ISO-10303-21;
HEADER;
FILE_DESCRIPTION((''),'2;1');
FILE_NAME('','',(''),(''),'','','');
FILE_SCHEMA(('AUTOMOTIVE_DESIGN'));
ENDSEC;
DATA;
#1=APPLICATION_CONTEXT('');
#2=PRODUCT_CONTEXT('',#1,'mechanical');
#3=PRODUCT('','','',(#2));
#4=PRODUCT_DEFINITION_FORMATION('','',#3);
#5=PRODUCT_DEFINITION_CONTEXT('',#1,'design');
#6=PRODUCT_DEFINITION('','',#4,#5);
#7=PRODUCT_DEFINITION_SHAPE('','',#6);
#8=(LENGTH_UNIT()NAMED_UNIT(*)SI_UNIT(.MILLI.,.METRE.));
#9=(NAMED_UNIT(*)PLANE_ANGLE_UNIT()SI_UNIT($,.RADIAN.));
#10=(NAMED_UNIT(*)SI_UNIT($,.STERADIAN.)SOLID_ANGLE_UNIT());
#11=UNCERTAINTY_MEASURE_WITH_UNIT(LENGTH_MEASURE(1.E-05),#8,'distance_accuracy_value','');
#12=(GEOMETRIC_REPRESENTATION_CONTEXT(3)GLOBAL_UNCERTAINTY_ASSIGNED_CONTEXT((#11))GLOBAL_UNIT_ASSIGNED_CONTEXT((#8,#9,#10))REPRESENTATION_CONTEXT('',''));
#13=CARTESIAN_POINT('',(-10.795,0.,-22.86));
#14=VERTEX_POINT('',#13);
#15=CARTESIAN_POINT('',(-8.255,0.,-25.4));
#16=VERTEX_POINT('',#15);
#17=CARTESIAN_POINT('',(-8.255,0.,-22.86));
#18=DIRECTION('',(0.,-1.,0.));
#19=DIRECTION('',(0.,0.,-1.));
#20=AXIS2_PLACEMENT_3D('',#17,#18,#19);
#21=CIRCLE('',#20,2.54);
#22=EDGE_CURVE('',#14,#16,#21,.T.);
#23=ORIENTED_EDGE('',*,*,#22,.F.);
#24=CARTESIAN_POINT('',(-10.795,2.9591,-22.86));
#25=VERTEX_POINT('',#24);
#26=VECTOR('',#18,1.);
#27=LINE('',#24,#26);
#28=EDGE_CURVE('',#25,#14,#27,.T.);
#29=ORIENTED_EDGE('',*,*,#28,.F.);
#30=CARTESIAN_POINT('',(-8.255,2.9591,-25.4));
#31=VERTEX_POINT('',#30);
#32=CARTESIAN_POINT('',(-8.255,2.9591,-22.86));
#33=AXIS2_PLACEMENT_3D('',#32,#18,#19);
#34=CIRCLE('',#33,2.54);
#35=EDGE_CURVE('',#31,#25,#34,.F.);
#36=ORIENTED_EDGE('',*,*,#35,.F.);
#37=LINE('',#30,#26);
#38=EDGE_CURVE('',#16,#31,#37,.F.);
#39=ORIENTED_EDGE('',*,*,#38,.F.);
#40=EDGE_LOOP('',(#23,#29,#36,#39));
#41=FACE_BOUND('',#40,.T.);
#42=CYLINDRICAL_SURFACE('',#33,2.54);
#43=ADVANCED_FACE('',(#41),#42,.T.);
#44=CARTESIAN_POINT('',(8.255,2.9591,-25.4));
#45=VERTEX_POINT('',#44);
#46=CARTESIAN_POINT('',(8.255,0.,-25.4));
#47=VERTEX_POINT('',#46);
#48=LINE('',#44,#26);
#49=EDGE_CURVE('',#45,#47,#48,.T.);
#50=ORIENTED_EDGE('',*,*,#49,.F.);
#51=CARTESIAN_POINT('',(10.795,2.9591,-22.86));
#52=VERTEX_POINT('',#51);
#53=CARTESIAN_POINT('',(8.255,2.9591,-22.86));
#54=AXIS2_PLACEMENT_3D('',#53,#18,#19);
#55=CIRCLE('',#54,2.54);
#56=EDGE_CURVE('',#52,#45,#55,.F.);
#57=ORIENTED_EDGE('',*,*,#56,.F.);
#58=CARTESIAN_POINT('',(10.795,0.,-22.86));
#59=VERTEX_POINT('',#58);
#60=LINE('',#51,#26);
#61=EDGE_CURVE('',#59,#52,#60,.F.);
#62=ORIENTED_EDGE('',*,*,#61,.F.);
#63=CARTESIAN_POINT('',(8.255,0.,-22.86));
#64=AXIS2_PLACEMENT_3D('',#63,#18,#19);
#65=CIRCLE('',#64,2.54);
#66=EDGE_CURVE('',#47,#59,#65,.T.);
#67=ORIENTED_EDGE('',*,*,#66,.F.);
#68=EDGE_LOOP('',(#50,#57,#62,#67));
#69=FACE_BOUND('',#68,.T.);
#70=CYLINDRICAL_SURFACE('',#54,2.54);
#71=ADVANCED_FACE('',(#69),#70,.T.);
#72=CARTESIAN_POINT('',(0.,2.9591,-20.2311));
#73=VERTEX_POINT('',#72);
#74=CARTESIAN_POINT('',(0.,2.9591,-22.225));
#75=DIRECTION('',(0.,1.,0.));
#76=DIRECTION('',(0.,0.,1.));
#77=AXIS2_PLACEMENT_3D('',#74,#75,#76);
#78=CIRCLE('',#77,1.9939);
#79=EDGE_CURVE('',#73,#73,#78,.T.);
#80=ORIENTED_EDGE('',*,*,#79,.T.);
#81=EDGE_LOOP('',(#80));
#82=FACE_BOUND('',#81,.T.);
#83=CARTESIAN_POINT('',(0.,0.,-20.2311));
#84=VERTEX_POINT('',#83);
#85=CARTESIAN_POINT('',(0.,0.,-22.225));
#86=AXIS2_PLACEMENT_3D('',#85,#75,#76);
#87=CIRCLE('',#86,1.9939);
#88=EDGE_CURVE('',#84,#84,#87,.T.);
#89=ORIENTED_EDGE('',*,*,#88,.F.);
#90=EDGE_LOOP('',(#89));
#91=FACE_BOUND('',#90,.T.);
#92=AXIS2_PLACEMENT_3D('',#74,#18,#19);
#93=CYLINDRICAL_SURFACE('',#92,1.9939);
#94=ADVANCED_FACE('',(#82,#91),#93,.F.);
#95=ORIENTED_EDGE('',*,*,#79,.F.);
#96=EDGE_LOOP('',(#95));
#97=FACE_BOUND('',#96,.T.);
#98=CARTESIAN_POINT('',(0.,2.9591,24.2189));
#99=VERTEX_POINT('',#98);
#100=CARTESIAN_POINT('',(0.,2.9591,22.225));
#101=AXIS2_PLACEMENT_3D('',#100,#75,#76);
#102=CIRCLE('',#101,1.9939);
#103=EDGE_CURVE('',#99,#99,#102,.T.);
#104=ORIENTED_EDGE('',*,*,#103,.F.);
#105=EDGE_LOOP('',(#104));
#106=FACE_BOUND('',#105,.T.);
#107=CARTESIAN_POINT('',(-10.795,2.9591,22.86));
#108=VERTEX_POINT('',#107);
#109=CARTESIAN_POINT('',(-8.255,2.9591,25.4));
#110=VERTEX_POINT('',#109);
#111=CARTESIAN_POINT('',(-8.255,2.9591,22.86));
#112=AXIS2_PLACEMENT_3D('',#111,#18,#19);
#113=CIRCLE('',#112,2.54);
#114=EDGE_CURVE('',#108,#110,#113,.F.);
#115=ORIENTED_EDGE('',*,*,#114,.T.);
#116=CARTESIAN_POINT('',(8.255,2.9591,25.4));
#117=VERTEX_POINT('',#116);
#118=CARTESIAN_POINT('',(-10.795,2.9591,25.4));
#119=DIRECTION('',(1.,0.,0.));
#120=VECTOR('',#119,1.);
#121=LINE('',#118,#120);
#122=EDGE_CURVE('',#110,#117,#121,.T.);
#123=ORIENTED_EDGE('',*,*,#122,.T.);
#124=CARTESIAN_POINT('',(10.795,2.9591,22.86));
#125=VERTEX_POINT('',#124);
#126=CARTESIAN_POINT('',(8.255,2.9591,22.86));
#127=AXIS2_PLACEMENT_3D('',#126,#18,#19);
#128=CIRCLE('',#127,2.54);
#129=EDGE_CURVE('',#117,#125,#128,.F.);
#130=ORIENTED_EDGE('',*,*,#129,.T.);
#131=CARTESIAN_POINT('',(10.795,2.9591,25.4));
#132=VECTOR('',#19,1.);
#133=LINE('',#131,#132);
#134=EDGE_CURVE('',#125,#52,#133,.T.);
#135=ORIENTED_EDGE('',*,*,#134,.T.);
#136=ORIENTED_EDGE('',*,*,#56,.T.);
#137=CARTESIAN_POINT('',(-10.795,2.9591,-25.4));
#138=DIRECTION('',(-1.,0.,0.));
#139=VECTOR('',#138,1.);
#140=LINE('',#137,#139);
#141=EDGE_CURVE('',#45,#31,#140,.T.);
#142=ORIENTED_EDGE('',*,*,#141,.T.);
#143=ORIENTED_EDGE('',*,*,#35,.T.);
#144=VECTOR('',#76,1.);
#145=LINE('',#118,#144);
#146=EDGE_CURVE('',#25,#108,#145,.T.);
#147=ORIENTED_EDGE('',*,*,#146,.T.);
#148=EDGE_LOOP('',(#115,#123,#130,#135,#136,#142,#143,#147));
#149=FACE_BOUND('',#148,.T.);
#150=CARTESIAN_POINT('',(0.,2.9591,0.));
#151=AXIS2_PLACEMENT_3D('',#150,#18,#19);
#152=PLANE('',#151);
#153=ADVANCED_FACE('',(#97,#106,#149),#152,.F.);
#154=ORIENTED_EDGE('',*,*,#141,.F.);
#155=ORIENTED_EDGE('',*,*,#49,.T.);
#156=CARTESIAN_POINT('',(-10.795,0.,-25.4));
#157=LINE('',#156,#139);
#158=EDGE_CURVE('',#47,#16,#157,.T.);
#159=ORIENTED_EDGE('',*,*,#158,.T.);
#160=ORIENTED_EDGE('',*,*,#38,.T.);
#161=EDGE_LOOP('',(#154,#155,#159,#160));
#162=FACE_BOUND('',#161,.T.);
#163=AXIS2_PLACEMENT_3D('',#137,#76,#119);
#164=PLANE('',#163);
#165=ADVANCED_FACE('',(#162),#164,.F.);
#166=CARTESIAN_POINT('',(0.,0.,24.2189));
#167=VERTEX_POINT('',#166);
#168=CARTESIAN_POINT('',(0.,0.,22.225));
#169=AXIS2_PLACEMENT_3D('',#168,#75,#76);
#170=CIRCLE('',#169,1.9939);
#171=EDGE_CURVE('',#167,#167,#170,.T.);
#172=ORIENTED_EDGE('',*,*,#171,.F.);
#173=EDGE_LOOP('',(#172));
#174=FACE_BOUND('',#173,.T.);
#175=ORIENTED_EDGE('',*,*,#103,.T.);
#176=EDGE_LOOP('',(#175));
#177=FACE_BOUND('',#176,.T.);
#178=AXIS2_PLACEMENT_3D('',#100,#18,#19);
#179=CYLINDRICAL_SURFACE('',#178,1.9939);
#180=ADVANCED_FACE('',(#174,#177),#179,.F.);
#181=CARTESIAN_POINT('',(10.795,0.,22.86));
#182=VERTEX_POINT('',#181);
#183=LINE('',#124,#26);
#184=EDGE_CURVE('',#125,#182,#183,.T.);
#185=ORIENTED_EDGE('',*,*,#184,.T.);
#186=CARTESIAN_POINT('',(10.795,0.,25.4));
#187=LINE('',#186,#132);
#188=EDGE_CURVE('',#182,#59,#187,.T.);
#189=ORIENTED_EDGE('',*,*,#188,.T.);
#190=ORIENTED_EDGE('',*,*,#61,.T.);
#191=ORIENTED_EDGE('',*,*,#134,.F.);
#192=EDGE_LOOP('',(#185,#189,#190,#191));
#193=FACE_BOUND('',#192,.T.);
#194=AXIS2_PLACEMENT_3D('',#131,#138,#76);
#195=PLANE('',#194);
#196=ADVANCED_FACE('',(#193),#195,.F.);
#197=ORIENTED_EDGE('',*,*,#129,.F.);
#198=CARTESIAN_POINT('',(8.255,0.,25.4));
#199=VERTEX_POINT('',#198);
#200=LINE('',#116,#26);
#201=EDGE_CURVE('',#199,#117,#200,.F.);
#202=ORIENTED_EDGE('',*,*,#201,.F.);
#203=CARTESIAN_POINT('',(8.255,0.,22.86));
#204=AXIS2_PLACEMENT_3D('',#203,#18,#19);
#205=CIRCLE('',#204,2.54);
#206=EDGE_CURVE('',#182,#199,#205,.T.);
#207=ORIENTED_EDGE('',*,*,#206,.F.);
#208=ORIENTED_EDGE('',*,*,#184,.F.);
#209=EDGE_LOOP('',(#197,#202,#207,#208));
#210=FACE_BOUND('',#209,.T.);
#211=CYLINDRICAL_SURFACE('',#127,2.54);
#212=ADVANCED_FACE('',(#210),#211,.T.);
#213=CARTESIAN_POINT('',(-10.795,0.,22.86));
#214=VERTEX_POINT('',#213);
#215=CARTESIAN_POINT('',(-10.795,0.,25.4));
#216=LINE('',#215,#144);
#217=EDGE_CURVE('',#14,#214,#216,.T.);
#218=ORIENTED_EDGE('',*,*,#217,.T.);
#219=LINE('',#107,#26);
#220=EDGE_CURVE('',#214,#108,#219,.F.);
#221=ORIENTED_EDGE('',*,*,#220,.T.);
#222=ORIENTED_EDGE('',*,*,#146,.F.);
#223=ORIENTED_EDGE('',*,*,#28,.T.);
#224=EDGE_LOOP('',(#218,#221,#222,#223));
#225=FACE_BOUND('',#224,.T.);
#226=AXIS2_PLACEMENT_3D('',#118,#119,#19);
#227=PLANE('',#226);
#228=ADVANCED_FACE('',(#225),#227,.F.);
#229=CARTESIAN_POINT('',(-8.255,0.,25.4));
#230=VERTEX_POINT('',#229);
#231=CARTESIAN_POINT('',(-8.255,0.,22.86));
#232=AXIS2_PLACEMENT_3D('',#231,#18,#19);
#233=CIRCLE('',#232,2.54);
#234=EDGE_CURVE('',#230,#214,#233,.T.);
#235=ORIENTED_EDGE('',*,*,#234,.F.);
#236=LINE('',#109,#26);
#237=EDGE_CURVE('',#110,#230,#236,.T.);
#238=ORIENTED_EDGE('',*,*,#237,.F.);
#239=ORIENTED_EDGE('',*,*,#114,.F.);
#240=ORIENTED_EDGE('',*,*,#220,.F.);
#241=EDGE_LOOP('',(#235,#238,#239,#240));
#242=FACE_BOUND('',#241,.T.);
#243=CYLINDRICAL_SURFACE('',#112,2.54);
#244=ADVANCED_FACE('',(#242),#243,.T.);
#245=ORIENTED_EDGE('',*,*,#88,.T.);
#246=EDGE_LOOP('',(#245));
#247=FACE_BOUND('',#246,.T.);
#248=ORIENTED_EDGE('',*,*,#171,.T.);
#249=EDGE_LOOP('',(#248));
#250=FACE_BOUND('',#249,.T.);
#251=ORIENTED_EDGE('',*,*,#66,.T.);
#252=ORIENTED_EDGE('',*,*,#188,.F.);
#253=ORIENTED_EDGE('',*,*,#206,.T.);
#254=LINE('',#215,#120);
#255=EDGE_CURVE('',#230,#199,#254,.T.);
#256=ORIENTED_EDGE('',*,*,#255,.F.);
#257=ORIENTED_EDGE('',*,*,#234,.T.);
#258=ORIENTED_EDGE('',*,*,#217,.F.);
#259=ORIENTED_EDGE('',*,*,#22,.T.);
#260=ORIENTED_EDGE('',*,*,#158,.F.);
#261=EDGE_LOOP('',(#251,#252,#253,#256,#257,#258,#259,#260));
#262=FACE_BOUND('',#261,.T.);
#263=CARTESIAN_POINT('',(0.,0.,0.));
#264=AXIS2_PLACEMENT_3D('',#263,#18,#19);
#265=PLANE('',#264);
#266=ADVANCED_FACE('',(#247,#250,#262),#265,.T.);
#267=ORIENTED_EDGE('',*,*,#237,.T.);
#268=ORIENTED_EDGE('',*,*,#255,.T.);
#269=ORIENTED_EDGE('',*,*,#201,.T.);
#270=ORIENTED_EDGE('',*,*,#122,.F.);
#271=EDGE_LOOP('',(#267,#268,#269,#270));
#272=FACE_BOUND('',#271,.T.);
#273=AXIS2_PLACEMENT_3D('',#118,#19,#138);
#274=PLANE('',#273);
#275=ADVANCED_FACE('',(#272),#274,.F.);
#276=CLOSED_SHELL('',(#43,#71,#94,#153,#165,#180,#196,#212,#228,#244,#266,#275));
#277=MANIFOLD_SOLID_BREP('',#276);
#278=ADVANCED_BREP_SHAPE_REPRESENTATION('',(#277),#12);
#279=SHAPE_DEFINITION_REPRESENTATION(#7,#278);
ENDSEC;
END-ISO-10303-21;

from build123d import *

# Parameters (mm, degrees)
SKETCH1_W           = 21.59
SKETCH1_H           = 50.8
SKETCH1_R           = 1.9939
BOSS_EXTRUDE1_DEPTH = 2.9591
FILLET1_R           = 2.54


with BuildPart() as part:
    # Sketch1 → Boss-Extrude1 (new body)
    with BuildSketch(Plane(origin=(0, 0, 0), x_dir=(1, 0, 0), z_dir=(0, 1, 0))):
        Rectangle(SKETCH1_W, SKETCH1_H)
        with Locations((0, 22.225)):
            Circle(SKETCH1_R, mode=Mode.SUBTRACT)
        with Locations((0, -22.225)):
            Circle(SKETCH1_R, mode=Mode.SUBTRACT)
    extrude(amount=BOSS_EXTRUDE1_DEPTH)

    # Fillet1
    fillet1_edges = [part.edges().sort_by_distance(p)[0] for p in [
        (10.795, 1.47955, 25.4),
        (-10.795, 1.47955, 25.4),
        (-10.795, 1.47955, -25.4),
        (10.795, 1.47955, -25.4),
    ]]
    fillet(fillet1_edges, radius=FILLET1_R)


solid = part.part
